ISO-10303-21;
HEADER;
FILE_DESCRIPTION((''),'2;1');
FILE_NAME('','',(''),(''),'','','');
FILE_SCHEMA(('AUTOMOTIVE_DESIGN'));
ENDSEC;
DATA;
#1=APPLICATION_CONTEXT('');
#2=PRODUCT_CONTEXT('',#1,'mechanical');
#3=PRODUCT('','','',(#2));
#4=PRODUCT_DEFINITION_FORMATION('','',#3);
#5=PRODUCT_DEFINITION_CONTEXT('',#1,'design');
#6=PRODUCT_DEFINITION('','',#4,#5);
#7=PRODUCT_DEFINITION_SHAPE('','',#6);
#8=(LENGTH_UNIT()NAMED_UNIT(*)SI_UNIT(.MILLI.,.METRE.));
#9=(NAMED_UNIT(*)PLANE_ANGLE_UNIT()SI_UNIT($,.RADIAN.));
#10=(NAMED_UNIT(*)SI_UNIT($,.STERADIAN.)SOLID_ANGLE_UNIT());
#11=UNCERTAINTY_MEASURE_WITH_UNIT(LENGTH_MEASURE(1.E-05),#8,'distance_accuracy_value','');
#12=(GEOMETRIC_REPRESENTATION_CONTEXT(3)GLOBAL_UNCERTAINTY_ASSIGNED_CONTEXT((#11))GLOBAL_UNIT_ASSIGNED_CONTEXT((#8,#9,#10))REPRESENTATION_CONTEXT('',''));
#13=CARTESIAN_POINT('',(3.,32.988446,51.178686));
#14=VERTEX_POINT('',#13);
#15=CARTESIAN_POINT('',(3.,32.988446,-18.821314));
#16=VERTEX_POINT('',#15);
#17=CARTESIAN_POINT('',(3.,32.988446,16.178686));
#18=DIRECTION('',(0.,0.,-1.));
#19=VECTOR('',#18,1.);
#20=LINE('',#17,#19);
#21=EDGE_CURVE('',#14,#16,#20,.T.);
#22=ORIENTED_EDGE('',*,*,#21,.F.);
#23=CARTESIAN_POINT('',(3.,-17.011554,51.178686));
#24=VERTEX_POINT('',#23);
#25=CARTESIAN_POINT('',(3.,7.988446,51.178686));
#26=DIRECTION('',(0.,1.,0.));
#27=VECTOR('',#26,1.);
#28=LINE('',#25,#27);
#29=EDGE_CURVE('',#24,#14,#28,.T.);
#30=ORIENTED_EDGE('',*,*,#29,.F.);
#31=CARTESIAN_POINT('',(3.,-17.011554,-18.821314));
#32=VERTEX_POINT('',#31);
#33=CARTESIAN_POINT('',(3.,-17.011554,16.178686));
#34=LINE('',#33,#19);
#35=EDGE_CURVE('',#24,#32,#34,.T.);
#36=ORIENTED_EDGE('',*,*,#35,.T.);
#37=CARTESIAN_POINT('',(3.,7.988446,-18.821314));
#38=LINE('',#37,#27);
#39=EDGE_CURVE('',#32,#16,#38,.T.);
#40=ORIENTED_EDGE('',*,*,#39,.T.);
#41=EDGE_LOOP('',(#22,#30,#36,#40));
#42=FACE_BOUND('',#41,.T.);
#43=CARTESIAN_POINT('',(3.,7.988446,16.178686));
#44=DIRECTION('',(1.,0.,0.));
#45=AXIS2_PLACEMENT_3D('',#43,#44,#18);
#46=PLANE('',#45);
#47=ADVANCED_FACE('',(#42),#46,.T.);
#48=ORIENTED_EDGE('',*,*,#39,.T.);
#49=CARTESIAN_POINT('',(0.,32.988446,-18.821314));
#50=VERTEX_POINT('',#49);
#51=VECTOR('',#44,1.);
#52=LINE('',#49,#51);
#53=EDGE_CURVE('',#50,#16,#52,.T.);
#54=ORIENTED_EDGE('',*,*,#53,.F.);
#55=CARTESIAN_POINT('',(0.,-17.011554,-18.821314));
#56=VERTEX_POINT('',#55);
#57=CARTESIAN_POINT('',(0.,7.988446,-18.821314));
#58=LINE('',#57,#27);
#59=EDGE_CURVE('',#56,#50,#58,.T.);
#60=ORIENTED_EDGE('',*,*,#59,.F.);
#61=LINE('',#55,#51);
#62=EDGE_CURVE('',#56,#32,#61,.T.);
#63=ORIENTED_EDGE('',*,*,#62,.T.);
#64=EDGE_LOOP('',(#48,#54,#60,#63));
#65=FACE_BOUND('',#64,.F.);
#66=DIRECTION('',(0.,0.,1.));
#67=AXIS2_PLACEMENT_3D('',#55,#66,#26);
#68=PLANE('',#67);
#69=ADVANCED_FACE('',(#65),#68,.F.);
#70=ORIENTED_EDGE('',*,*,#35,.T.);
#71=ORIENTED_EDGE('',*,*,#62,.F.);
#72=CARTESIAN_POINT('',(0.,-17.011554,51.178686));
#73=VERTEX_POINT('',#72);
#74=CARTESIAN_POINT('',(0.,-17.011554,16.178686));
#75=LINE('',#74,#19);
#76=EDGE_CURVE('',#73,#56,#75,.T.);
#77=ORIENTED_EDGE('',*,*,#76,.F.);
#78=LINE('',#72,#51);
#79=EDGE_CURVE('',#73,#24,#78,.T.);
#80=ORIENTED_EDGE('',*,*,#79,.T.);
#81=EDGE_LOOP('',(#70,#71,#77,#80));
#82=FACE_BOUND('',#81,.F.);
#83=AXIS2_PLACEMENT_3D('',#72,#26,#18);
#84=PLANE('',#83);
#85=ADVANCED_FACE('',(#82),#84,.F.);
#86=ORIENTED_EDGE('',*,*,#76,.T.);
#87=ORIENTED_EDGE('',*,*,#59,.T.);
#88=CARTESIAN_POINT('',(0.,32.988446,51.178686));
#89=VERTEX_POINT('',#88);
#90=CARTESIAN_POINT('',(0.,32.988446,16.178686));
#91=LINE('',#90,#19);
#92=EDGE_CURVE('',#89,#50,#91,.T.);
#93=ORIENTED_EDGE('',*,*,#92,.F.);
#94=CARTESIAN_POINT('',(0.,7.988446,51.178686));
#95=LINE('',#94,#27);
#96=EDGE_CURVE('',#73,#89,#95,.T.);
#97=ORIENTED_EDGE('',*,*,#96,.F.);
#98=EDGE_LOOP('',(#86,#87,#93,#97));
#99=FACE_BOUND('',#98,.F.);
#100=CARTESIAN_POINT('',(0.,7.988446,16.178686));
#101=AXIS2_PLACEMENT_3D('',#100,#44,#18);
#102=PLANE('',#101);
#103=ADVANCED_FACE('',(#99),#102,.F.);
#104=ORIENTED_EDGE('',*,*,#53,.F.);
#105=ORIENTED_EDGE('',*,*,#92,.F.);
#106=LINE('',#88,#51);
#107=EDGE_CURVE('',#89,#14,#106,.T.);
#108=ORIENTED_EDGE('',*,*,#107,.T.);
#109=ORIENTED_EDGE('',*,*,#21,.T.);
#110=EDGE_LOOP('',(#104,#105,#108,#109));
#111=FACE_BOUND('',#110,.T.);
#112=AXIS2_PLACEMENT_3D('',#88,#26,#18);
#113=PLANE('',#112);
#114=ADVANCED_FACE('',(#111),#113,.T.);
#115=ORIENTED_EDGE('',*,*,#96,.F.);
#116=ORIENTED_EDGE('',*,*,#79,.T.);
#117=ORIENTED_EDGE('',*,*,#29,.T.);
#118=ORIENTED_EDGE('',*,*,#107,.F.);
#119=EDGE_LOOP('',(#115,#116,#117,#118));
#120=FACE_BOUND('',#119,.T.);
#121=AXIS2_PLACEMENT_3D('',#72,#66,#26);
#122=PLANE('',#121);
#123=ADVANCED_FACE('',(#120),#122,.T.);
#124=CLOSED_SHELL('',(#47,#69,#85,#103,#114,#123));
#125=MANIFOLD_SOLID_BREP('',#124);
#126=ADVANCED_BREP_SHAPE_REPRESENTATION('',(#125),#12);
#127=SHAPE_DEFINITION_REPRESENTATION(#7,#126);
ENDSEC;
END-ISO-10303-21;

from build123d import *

# Parameters (mm, degrees)
SKETCH1_W           = 70
SKETCH1_H           = 50
BOSS_EXTRUDE1_DEPTH = 3


with BuildPart() as part:
    # Sketch1 → Boss-Extrude1 (new body)
    with BuildSketch(Plane(origin=(0, 0, 0), x_dir=(0, 0, -1), z_dir=(1, 0, 0))):
        with Locations((-16.178686095, 7.988445564)):
            Rectangle(SKETCH1_W, SKETCH1_H)
    extrude(amount=BOSS_EXTRUDE1_DEPTH)


solid = part.part
